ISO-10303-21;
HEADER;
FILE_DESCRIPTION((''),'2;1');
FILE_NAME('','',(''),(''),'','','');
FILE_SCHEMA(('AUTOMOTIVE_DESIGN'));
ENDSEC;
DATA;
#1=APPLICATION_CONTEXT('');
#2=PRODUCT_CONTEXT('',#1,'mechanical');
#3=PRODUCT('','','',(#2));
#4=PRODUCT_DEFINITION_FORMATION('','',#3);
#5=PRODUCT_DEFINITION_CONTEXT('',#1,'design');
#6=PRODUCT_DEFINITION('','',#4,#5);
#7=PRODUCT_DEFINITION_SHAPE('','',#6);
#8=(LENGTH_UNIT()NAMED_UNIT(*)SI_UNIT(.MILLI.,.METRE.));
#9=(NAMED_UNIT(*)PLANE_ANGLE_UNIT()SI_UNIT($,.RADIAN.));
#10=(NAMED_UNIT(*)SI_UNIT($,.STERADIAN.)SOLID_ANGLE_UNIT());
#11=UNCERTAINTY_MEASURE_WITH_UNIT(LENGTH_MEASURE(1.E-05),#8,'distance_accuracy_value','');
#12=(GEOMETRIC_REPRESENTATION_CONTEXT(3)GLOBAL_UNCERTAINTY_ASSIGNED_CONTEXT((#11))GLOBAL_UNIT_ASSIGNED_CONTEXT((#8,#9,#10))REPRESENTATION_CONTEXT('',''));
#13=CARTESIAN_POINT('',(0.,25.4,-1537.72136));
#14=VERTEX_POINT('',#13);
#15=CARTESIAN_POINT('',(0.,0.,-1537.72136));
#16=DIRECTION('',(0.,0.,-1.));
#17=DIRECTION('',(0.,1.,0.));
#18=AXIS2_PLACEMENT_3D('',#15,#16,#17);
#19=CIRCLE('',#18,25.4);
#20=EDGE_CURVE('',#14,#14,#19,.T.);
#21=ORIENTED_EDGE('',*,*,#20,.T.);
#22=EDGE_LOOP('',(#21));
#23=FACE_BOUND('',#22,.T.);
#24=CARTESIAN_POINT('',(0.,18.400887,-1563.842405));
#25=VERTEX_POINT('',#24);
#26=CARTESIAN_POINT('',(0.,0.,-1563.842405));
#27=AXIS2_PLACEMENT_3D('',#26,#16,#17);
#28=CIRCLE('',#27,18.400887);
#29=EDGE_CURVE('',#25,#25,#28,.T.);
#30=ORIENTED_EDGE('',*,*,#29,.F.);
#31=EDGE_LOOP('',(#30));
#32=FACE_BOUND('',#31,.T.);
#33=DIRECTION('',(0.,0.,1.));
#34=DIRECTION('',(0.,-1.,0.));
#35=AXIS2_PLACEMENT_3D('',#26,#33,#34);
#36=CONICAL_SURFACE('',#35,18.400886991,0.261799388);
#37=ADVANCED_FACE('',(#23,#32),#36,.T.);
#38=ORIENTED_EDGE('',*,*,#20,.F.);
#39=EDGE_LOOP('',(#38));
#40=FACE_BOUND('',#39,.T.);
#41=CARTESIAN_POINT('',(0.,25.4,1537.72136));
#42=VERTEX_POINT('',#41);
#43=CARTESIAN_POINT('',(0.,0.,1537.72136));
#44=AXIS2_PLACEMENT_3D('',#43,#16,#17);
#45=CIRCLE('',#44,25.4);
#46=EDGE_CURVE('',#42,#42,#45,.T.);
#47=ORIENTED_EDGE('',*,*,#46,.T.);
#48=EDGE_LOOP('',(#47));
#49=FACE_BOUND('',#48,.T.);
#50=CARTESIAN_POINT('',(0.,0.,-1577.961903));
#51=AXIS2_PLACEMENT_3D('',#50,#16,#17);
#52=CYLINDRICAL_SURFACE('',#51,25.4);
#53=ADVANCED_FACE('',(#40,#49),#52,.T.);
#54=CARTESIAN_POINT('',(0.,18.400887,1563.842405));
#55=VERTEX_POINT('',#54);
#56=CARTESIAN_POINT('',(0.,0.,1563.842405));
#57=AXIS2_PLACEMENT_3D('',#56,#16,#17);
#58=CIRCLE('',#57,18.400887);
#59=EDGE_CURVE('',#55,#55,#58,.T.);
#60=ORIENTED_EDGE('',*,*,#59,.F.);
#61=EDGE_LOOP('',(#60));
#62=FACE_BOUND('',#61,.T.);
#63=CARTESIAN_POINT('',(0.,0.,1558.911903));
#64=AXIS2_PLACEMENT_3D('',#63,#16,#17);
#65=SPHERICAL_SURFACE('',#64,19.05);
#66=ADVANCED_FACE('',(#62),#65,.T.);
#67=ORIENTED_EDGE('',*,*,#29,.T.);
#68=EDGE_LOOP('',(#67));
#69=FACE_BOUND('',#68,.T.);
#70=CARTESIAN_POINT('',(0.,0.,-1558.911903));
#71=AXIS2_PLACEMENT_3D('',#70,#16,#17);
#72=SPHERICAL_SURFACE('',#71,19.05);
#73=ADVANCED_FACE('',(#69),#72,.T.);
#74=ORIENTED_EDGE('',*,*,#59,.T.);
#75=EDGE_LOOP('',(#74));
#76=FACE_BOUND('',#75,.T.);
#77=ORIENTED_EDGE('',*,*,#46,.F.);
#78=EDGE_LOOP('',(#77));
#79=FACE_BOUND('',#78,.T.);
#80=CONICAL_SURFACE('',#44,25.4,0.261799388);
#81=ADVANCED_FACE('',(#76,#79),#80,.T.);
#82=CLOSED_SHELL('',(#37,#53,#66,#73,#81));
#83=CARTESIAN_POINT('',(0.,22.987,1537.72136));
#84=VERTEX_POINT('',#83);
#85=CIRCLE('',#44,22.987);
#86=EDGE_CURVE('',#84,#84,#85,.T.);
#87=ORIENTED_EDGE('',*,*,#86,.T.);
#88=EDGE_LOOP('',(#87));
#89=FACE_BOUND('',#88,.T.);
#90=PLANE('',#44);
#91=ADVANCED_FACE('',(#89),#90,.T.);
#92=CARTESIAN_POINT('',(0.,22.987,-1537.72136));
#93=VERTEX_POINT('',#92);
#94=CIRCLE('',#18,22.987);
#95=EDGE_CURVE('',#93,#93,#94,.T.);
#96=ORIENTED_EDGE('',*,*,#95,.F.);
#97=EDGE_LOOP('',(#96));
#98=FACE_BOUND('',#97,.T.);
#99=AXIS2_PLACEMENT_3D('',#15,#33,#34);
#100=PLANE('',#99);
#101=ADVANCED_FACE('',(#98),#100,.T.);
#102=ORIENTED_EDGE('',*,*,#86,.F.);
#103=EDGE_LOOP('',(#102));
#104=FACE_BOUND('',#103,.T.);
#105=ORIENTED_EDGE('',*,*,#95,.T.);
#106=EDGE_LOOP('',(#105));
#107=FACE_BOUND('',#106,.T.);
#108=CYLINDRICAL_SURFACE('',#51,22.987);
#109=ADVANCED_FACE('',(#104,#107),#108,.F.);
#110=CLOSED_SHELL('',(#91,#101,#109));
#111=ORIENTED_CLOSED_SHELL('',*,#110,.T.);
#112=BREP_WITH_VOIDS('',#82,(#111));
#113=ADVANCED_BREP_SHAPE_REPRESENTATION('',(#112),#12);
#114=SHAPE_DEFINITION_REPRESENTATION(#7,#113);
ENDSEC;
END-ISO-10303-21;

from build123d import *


with BuildPart() as part:
    # Sketch2 → Revolve1 (revolve)
    with BuildSketch(Plane(origin=(0, 0, 0), x_dir=(0, 0, -1), z_dir=(1, 0, 0))):
        with BuildLine():
            Line((1537.721359991, 25.4), (1563.842405349, 18.400886991))
            ThreePointArc((1563.842405349, 18.400886991), (1574.025283673, 11.596905223), (1577.96190254, 0))
            Line((1577.96190254, 0), (1537.721359991, 0))
            Line((1537.721359991, 0), (1537.721359991, 22.987))
            Line((1537.721359991, 22.987), (-1537.721359991, 22.987))
            Line((-1537.721359991, 22.987), (-1537.721359991, 0))
            Line((-1537.721359991, 0), (-1577.96190254, 0))
            ThreePointArc((-1577.96190254, 0), (-1574.025283673, 11.596905223), (-1563.842405349, 18.400886991))
            Line((-1563.842405349, 18.400886991), (-1537.721359991, 25.4))
            Line((-1537.721359991, 25.4), (1537.721359991, 25.4))
        make_face()
    revolve(axis=Axis((0, 0, -1577.96190254), (0, 0, 1)))


solid = part.part
